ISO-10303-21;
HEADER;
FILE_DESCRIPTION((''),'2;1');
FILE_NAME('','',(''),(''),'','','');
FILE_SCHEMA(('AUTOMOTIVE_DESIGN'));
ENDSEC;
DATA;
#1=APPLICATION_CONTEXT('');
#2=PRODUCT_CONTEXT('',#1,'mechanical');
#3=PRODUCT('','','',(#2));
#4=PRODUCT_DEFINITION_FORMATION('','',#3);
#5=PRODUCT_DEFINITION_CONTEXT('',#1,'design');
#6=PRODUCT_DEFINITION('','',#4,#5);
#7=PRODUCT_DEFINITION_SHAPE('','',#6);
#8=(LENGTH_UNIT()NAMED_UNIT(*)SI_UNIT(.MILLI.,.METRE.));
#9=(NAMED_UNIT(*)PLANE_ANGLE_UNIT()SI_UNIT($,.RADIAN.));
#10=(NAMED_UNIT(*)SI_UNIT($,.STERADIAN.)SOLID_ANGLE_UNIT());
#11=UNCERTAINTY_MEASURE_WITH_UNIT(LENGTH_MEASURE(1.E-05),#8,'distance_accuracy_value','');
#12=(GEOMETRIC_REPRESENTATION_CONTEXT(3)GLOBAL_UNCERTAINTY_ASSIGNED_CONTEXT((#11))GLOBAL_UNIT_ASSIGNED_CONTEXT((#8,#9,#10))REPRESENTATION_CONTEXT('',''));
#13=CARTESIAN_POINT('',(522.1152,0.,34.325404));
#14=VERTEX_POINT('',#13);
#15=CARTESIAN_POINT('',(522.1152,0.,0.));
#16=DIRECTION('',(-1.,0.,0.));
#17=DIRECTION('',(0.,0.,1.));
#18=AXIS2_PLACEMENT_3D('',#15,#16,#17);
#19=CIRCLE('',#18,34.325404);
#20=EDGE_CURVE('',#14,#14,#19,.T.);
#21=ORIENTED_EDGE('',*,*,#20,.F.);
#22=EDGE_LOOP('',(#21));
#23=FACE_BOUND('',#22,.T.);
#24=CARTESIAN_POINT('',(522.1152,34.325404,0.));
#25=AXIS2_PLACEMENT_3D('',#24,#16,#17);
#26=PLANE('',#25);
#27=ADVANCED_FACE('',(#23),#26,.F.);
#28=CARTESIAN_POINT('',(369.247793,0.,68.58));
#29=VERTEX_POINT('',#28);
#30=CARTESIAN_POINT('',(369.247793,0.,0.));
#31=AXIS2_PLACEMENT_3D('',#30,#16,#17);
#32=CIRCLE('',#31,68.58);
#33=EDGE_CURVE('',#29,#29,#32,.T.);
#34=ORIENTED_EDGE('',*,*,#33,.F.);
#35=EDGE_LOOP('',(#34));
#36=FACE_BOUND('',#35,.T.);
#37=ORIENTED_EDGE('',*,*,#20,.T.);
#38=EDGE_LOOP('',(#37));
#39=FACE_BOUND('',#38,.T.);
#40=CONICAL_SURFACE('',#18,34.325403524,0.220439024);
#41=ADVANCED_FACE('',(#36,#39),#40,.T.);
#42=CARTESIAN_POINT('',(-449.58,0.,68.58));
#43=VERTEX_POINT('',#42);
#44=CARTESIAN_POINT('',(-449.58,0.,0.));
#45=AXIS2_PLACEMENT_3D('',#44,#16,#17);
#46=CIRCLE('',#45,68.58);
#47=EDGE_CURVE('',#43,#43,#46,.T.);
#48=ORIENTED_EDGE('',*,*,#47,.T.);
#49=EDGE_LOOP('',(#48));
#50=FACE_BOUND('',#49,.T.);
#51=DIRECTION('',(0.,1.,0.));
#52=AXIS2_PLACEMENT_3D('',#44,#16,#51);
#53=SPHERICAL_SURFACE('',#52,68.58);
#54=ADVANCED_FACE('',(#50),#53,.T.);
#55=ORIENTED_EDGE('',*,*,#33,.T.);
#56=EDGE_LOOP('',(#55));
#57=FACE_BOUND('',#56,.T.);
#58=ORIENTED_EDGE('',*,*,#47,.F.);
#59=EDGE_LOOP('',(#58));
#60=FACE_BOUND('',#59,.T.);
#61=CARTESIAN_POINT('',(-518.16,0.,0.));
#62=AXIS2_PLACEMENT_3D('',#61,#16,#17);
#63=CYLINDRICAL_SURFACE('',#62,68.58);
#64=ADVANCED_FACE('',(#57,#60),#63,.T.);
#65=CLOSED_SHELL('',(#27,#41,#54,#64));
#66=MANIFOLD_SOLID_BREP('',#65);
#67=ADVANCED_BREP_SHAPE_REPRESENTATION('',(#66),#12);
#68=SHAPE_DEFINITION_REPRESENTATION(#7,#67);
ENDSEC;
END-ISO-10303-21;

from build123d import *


with BuildPart() as part:
    # Sketch1 → Revolve1 (revolve)
    with BuildSketch(Plane.XY, mode=Mode.PRIVATE) as revolve1_sk:
        with BuildLine():
            Line((68.58, 68.58), (887.407793025, 68.58))
            Line((887.407793025, 68.58), (1040.275199788, 34.325403524))
            Line((1040.275199788, 34.325403524), (1040.275199788, 0))
            Line((1040.275199788, 0), (0, 0))
            ThreePointArc((0, 0), (20.086616946, 48.493383054), (68.58, 68.58))
        make_face()
    revolve(revolve1_sk.sketch.rotate(Axis((0, 0, 0), (1, 0, 0)), 90), axis=Axis((0, 0, 0), (1, 0, 0)))


with BuildPart() as part_1:
    # Body-Move/Copy1: moved
    add(part.part.moved(Location((-518.16, 0, 0))))


solid = part_1.part
